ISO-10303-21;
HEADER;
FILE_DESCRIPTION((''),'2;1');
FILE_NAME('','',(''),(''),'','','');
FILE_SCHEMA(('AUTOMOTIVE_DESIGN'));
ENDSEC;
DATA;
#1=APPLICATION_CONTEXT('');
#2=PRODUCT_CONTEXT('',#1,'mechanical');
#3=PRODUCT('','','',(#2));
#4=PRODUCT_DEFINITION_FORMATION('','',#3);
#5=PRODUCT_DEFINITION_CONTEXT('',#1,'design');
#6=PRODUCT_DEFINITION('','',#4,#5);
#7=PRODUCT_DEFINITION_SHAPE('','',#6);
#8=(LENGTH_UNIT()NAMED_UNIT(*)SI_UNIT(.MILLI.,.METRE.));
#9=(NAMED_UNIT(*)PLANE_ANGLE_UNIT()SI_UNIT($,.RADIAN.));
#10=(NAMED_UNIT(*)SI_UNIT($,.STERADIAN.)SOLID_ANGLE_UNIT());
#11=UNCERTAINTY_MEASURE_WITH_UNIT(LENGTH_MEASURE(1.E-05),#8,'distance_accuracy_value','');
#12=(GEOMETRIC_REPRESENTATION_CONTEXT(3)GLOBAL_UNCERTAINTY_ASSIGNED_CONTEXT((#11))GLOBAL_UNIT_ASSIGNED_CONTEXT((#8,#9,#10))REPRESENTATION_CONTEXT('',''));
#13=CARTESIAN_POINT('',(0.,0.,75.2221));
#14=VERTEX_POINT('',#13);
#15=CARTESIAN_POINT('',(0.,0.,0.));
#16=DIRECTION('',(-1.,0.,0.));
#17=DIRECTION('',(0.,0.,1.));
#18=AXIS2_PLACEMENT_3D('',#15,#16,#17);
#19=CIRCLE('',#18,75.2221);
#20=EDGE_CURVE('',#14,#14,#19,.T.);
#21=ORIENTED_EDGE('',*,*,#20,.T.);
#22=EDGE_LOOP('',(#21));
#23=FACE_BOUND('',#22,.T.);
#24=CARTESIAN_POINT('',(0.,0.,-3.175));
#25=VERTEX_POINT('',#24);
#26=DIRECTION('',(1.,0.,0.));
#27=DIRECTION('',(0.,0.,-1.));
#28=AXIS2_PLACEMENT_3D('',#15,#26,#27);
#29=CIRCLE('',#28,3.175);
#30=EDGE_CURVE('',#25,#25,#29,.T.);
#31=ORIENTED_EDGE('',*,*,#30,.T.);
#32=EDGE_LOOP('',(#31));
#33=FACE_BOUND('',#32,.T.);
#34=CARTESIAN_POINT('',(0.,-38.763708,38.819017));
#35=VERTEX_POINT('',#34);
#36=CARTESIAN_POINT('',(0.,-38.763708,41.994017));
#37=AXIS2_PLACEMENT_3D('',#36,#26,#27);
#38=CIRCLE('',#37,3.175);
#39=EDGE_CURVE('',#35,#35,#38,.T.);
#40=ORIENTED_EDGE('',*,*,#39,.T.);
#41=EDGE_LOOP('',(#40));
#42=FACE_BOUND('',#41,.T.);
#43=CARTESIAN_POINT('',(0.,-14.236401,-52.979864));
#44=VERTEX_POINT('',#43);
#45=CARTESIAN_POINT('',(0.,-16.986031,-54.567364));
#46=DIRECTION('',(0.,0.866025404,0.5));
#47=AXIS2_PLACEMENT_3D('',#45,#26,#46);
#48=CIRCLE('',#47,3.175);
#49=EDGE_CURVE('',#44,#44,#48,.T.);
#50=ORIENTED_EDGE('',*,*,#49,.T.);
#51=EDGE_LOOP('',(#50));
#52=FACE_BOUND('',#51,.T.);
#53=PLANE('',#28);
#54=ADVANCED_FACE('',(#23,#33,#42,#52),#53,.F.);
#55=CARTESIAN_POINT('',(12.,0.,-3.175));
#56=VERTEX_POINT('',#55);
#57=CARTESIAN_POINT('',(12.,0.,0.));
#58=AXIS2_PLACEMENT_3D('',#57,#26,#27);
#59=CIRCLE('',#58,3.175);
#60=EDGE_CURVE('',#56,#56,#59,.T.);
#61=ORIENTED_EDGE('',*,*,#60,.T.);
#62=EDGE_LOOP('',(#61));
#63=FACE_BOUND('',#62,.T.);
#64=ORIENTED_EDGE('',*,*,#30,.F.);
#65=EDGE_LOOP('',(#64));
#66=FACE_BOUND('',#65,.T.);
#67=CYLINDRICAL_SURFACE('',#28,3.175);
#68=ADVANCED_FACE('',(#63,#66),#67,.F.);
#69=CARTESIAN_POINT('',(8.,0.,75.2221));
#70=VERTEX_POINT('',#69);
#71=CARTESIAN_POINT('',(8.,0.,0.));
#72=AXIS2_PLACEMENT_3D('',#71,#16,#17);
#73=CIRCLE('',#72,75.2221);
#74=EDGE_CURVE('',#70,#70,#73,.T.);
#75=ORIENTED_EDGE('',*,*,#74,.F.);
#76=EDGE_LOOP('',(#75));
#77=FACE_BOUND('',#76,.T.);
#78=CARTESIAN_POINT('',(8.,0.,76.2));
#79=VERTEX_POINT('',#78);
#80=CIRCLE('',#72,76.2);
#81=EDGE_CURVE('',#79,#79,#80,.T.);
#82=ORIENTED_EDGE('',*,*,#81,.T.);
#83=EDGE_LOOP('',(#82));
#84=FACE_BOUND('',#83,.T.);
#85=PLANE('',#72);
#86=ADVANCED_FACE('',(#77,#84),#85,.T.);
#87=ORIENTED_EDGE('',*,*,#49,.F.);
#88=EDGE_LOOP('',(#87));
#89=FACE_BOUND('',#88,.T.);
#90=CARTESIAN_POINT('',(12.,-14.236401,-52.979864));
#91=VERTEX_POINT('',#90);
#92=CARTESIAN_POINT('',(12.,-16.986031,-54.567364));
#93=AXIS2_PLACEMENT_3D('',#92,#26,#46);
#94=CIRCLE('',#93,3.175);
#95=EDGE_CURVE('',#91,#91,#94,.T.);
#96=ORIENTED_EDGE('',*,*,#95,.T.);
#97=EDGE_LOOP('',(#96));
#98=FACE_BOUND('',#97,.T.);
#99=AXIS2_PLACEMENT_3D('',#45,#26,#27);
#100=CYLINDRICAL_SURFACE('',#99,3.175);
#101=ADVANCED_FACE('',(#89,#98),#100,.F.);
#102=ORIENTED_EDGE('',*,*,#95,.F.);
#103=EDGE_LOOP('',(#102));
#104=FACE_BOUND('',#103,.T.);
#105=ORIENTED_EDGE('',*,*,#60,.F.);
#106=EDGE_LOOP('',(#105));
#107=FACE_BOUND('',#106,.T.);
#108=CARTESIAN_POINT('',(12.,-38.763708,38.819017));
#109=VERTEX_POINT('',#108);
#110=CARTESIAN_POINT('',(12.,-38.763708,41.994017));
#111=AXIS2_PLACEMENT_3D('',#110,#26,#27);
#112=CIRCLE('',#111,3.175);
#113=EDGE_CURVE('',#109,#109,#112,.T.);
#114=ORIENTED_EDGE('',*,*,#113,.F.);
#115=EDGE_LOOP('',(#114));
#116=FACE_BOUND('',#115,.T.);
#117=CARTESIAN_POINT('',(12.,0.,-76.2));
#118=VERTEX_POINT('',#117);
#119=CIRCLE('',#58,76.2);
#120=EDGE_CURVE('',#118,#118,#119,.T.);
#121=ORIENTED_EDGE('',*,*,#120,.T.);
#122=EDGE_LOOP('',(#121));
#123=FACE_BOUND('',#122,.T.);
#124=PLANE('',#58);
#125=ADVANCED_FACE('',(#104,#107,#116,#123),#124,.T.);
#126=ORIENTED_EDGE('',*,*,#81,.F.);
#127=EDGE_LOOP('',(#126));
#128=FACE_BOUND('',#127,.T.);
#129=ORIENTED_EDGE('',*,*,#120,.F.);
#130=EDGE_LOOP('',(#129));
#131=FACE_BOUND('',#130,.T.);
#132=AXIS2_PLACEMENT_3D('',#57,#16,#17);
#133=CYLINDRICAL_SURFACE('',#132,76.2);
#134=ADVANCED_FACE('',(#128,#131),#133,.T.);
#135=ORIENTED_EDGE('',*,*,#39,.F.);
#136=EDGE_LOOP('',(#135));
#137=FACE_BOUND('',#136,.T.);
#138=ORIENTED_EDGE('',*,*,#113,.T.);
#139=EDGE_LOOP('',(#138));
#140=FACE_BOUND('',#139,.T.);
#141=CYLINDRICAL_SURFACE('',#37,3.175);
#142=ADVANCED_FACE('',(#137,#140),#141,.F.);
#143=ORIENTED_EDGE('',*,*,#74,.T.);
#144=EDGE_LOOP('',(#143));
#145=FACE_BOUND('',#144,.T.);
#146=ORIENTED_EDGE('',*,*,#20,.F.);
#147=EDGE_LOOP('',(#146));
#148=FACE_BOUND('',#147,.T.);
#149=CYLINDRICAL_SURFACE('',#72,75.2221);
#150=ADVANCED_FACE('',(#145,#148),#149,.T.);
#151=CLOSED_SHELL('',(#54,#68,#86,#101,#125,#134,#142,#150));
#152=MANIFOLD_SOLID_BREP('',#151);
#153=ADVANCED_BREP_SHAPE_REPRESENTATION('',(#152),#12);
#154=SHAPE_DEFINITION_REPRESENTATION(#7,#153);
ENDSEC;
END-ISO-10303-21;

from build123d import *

# Parameters (mm, degrees)
SKETCH1_R           = 76.2
BOSS_EXTRUDE1_DEPTH = 12
SKETCH2_OUTSIDE_W   = 197.572
SKETCH2_OUTSIDE_H   = 197.572
SKETCH2_OUTSIDE_R   = 75.2221
CUT_EXTRUDE1_DEPTH  = 8
SKETCH3_R           = 3.175
CUT_EXTRUDE2_DEPTH  = 109.429147373
SKETCH5_R           = 3.175
CUT_EXTRUDE3_DEPTH  = 109.429147373
CIRPATTERN1_COUNT   = 3


with BuildPart() as part:
    # Sketch1 → Boss-Extrude1 (new body)
    with BuildSketch(Plane(origin=(0, 0, 0), x_dir=(0, 0, -1), z_dir=(1, 0, 0))):
        Circle(SKETCH1_R)
    extrude(amount=BOSS_EXTRUDE1_DEPTH)

    # Sketch2 outside → Cut-Extrude1 (cut)
    with BuildSketch(Plane.ZY):
        Rectangle(SKETCH2_OUTSIDE_W, SKETCH2_OUTSIDE_H)
        Circle(SKETCH2_OUTSIDE_R, mode=Mode.SUBTRACT)
    extrude(amount=-CUT_EXTRUDE1_DEPTH, mode=Mode.SUBTRACT)

    # Sketch3 → Cut-Extrude2 (cut, through all)
    with BuildSketch(Plane(origin=(12, 0, 0), x_dir=(0, 0, -1), z_dir=(1, 0, 0))):
        Circle(SKETCH3_R)
    extrude(amount=-CUT_EXTRUDE2_DEPTH, mode=Mode.SUBTRACT)

    # Sketch5 → Cut-Extrude3 (cut, through all)
    with BuildSketch(Plane(origin=(12, 0, 0), x_dir=(0, 0, -1), z_dir=(1, 0, 0))):
        with Locations((-41.99401686, -38.763707871)):
            Circle(SKETCH5_R)
    cut_extrude3 = extrude(amount=-CUT_EXTRUDE3_DEPTH, mode=Mode.SUBTRACT)

    # CirPattern1: Cut-Extrude3 ×3 about axis, 1 skipped
    cirpattern1_axis = Axis((12, 0, 0), (1, 0, 0))
    add([cut_extrude3.rotate(cirpattern1_axis, i * 360 / CIRPATTERN1_COUNT) for i in range(1, CIRPATTERN1_COUNT) if i not in (2,)], mode=Mode.SUBTRACT)


solid = part.part
